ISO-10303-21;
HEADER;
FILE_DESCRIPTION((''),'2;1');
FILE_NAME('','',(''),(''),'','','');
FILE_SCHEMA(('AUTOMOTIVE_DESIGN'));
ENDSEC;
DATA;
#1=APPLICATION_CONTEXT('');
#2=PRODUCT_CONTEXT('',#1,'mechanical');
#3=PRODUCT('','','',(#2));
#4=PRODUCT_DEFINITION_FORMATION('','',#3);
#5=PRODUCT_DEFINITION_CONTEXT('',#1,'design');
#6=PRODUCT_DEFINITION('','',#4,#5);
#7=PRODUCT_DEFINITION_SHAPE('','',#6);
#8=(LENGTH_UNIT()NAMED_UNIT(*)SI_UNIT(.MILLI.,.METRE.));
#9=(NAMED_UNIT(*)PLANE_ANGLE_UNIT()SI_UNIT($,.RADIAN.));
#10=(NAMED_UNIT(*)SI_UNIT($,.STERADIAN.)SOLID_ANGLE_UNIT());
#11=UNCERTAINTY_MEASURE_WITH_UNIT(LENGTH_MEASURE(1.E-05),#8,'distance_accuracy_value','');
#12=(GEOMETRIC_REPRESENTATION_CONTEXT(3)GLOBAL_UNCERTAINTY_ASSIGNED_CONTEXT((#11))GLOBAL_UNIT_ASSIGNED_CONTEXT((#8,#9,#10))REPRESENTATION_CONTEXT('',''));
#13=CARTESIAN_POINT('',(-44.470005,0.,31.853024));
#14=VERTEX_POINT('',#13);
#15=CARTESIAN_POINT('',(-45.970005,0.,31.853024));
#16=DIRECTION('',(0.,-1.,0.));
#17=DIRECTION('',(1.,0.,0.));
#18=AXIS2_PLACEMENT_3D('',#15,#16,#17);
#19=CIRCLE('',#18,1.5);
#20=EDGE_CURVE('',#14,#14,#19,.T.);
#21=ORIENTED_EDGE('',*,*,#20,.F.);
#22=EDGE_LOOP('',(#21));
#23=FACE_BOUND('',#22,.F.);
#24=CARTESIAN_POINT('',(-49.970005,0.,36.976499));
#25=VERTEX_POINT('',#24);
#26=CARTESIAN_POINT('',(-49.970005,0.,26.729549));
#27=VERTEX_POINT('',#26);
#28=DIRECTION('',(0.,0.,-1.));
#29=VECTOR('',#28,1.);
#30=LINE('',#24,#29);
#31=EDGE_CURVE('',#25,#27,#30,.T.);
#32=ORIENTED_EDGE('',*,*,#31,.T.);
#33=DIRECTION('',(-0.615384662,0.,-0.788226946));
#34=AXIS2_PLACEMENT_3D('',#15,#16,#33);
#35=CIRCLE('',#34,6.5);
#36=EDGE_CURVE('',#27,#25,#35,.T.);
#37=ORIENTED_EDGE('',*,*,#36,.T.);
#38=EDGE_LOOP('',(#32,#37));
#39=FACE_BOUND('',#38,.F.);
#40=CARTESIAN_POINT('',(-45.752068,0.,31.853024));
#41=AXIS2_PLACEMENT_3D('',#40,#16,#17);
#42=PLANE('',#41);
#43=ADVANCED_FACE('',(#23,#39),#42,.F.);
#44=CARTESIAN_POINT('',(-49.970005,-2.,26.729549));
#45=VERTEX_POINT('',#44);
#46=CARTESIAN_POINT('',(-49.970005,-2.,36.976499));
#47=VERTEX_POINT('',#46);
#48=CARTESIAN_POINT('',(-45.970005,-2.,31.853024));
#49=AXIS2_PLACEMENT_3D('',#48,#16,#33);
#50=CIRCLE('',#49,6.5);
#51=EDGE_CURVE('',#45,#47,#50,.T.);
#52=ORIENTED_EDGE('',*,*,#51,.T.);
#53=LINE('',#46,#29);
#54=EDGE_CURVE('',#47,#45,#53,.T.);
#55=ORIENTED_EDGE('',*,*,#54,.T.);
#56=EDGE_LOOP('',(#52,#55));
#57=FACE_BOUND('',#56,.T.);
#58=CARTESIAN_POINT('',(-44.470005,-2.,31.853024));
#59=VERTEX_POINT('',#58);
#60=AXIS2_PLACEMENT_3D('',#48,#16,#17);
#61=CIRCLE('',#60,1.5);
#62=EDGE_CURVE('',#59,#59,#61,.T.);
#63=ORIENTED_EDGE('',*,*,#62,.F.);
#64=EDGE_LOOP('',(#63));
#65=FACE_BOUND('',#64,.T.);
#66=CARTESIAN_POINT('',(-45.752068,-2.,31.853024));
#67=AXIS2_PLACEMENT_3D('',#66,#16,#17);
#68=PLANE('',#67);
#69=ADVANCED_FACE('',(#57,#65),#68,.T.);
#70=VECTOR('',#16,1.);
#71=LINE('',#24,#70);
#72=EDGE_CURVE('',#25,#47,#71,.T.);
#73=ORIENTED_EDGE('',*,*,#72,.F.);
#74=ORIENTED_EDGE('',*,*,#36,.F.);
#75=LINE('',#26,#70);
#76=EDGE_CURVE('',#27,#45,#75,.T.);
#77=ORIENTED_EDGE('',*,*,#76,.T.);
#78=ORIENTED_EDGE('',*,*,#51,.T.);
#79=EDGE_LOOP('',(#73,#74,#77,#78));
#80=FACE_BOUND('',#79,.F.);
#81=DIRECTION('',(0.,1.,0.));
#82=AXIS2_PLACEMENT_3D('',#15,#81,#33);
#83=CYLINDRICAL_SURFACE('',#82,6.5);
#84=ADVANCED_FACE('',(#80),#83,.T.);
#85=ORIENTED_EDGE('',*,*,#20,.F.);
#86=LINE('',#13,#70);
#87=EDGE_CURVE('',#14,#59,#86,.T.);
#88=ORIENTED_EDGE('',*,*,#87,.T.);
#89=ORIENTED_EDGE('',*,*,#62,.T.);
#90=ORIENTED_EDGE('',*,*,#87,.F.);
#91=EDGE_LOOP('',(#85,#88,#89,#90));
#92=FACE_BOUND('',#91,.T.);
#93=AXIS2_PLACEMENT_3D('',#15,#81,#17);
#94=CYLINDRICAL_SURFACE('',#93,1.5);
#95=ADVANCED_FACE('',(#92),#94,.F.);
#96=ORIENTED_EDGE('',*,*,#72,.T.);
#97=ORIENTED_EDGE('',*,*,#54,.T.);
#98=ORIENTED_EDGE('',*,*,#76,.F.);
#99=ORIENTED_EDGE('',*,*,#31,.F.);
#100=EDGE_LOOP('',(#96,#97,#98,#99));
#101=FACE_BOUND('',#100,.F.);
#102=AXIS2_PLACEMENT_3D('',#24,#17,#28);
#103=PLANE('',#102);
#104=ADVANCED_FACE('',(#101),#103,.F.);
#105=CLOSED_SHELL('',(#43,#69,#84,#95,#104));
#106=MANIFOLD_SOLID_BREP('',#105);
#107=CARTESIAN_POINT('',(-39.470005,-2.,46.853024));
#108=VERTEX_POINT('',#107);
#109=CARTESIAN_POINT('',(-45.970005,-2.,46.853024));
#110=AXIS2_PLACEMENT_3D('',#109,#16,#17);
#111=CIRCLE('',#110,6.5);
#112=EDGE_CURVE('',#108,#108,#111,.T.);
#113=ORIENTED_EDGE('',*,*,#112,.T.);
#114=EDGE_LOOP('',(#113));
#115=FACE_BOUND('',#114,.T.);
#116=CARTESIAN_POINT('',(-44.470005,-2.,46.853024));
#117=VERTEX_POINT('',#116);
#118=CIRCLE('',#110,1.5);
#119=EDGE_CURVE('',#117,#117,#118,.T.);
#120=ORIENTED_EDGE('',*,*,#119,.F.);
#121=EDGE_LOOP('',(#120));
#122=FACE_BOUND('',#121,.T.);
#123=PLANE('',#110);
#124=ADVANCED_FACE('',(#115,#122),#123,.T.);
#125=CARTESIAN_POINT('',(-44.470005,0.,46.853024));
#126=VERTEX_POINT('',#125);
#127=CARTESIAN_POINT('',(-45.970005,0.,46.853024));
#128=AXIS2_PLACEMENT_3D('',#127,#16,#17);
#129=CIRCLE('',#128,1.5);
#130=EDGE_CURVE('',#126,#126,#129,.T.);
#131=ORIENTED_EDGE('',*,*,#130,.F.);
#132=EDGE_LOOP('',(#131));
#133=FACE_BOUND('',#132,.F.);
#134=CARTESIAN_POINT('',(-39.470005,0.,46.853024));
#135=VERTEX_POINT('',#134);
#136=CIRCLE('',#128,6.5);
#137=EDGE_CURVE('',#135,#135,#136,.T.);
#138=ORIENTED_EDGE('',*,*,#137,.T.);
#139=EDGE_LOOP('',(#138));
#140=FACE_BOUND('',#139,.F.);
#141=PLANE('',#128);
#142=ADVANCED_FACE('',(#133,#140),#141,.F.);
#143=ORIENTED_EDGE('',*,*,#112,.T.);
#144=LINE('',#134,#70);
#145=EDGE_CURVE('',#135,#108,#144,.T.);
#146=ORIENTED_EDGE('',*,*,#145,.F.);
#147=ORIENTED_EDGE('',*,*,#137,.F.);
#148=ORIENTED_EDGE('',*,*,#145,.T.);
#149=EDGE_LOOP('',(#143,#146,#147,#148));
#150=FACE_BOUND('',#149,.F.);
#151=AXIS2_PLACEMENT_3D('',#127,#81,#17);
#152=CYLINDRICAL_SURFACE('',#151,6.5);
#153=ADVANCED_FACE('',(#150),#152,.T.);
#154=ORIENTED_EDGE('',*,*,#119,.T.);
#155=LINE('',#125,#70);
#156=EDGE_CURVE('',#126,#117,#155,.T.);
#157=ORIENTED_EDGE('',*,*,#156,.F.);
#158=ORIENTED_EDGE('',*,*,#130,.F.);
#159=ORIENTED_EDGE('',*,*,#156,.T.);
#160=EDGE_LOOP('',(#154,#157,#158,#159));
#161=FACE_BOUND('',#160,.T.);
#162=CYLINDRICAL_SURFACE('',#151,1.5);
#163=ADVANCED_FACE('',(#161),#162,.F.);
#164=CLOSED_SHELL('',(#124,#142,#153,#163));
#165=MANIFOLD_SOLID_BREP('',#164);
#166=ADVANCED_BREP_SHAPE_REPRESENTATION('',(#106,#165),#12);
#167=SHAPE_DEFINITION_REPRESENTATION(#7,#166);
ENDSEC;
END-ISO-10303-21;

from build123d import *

# Parameters (mm, degrees)
F0_R     = 6.5
F0_R_2   = 1.5
F1_DEPTH = 2


with BuildPart() as f1:
    # F0 (on Front) → F1 (new body)
    with BuildSketch(Plane.XZ):
        with Locations((-45.970005, 46.853024)):
            Circle(F0_R)
        with Locations((-45.970005, 46.853024)):
            Circle(F0_R_2, mode=Mode.SUBTRACT)
        with BuildLine():
            Line((-49.970005, 36.976499), (-49.970005, 26.729549))
            ThreePointArc((-49.970005, 26.729549), (-39.470005, 31.853024), (-49.970005, 36.976499))
        make_face()
        with Locations((-45.970005, 31.853024)):
            Circle(F0_R_2, mode=Mode.SUBTRACT)
    extrude(amount=F1_DEPTH)


solid = f1.part
